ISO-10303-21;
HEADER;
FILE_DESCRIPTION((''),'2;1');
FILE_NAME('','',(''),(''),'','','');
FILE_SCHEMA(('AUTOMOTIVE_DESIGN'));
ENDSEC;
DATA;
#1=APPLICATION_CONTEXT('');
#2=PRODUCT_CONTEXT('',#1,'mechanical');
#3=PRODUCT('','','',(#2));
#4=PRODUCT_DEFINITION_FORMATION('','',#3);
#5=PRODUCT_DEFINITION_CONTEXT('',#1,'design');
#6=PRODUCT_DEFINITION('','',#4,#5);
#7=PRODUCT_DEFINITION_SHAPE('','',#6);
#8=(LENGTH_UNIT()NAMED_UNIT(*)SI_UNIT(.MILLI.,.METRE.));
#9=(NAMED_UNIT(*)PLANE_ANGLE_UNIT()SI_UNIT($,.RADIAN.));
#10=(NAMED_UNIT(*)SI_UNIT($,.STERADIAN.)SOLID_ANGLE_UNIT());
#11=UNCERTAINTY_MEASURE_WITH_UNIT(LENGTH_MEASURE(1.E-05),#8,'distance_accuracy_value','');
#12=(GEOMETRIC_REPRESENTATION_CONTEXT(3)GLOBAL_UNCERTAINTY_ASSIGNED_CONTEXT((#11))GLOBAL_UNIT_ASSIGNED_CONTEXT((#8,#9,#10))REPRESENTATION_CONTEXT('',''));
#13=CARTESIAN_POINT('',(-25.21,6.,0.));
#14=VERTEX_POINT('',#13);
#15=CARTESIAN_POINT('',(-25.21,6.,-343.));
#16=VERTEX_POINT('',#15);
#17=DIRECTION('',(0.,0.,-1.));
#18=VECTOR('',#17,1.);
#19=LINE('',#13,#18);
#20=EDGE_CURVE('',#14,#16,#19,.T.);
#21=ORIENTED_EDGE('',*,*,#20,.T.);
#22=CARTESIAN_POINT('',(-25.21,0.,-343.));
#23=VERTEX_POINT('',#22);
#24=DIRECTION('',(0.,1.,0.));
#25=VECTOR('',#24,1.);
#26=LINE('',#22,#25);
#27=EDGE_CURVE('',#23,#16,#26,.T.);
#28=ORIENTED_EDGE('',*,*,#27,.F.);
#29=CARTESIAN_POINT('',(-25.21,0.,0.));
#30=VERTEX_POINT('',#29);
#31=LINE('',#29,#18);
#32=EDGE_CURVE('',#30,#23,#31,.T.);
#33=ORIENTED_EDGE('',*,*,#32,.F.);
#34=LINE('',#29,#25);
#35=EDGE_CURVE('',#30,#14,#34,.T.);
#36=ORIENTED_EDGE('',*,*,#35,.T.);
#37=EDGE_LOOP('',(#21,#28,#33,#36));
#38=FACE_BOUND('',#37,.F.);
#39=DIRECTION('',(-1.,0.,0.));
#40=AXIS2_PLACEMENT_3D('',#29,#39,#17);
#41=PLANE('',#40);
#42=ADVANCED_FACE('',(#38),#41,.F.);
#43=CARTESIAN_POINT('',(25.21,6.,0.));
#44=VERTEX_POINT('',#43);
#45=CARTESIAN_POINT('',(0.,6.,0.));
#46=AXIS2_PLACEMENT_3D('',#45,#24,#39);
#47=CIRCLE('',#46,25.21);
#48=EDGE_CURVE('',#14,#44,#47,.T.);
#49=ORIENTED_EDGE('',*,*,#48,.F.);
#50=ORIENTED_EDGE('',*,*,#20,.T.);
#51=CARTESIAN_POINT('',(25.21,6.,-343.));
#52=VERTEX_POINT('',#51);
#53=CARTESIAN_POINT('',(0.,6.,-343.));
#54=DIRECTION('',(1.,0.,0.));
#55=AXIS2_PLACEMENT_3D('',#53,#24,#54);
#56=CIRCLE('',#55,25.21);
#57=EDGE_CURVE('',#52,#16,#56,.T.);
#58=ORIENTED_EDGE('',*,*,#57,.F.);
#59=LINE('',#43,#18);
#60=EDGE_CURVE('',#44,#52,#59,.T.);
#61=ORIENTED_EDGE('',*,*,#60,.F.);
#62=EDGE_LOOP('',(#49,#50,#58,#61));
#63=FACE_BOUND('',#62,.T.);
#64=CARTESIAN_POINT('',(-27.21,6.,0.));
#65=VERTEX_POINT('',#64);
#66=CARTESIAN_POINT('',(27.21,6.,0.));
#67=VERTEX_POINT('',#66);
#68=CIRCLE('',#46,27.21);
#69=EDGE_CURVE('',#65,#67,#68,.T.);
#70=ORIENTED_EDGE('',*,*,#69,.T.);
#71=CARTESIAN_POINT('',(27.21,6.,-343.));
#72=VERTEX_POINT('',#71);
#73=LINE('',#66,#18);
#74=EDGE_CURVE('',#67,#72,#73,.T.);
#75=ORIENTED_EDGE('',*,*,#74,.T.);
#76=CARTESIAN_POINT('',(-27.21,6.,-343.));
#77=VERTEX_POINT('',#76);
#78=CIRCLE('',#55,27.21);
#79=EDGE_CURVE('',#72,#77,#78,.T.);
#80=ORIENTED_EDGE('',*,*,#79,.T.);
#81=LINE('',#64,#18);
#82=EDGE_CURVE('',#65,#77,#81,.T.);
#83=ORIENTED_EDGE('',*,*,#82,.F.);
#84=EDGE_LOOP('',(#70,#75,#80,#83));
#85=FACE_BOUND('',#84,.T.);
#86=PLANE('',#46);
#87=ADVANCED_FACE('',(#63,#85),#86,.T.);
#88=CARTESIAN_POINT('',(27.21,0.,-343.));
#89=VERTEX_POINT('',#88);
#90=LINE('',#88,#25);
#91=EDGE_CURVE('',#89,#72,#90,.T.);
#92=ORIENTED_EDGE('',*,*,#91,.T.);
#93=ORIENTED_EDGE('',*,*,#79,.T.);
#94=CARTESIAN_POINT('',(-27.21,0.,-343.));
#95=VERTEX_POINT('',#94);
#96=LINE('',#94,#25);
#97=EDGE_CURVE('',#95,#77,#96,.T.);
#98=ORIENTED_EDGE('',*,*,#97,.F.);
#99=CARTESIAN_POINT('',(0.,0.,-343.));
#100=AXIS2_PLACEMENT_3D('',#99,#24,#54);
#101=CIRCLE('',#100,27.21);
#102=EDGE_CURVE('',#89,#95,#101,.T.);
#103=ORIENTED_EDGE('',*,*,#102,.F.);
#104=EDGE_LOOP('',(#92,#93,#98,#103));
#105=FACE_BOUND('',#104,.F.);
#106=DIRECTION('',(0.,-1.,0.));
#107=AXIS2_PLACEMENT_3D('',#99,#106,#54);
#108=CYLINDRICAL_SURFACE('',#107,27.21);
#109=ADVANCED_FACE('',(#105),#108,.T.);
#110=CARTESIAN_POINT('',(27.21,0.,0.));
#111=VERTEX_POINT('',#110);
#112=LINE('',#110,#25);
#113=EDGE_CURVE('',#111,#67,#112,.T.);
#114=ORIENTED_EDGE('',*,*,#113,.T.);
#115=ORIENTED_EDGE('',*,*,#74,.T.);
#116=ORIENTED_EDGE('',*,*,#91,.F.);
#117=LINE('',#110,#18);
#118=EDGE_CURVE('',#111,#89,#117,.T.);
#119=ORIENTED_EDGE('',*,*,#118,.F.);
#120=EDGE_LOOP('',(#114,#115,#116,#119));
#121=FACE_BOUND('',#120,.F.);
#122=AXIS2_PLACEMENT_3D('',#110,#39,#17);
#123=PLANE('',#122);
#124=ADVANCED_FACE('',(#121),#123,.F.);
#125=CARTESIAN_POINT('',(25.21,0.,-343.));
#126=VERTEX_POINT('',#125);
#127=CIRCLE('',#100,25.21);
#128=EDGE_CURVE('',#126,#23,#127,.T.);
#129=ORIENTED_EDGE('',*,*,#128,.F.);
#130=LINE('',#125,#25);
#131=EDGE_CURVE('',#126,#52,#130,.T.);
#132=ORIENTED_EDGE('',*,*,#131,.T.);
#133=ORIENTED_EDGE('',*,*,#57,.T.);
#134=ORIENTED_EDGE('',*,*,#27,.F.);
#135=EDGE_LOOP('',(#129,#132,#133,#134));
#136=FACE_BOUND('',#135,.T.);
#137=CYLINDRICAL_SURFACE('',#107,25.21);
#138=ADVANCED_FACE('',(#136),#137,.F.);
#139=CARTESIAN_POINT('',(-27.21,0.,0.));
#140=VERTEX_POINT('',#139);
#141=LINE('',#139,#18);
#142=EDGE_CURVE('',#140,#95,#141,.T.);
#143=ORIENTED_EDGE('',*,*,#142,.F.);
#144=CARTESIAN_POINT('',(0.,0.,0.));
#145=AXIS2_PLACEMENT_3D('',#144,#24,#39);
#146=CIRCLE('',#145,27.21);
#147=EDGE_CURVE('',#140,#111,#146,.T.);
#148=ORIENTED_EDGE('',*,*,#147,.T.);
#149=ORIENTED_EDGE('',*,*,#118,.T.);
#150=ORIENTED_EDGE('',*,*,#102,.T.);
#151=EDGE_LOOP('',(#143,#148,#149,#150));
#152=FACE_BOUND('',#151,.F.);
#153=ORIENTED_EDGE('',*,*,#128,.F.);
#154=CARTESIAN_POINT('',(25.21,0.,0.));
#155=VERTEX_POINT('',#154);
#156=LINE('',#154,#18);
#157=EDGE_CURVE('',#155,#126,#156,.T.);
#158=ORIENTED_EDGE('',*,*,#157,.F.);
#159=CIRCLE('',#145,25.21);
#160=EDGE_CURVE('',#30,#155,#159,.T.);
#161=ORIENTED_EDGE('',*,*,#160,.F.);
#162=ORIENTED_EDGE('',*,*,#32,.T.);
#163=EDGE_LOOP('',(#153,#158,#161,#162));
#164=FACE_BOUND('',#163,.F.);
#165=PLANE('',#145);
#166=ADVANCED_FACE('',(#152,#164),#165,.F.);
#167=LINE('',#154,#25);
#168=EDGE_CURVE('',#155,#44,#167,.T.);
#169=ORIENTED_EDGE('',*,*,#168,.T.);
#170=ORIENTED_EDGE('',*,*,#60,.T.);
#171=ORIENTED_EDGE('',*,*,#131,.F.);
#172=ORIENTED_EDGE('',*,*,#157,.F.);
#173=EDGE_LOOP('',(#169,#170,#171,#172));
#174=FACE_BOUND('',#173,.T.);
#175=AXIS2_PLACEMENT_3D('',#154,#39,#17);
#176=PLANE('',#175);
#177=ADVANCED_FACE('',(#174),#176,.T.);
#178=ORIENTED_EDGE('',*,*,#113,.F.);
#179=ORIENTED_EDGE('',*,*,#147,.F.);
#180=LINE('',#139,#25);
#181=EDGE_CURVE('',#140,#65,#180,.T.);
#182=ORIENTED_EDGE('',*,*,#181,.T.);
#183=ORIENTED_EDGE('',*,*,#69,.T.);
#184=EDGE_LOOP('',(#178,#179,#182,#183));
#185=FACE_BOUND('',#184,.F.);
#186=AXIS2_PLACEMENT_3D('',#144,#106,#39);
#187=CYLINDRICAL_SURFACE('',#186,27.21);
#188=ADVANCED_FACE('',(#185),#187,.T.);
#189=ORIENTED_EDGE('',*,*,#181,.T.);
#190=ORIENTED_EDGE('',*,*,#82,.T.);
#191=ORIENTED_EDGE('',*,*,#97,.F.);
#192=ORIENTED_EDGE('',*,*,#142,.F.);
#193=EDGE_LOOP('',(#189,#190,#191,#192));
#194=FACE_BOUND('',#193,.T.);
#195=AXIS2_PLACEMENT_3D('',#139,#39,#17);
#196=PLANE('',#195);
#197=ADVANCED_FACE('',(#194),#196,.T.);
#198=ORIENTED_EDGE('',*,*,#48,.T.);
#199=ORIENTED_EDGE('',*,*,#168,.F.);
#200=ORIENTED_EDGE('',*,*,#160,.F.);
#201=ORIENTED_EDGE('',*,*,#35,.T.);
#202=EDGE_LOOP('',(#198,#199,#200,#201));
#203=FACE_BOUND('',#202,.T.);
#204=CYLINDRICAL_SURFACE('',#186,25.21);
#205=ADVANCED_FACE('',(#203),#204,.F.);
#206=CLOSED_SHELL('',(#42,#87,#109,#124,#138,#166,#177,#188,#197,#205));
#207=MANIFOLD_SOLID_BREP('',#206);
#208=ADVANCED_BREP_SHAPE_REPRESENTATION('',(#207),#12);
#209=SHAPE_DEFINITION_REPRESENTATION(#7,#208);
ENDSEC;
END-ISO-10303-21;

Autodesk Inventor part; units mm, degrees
ref_plane "YZ Plane" through (0, 0, 0) normal (1, 0, 0) x (0, 1, 0)
ref_plane "XZ Plane" through (0, 0, 0) normal (0, 1, 0) x (-1, 0, 0)
ref_plane "XY Plane" through (0, 0, 0) normal (0, 0, 1) x (1, 0, 0)
sketch "Sketch1" plane through (0, 0, 0) normal (0, 1, 0) x (-1, 0, 0)
  arc A0 (25.21, 0) -> (-25.21, 0) centre (0, 0) ccw
  arc A1 (27.21, 0) -> (-27.21, 0) centre (0, 0) ccw
  arc A2 (-25.21, -343) -> (25.21, -343) centre (0, -343) ccw
  arc A3 (-27.21, -343) -> (27.21, -343) centre (0, -343) ccw
  line L0 (0, 0) -> (0, -343) construction
  line L1 (27.21, 0) -> (27.21, -343)
  line L2 (-27.21, 0) -> (-27.21, -343)
  line L3 (25.21, 0) -> (25.21, -343)
  line L4 (-25.21, 0) -> (-25.21, -343)
  dimension "d0" = 343
  dimension "d1" = 50.42
  dimension "d2" = 50.42
  dimension "d3" = 2
  dimension "d4" = 2
extrude "Extrusion1" add sketch "Sketch1" along normal blind 6
properties part number "Belt"
